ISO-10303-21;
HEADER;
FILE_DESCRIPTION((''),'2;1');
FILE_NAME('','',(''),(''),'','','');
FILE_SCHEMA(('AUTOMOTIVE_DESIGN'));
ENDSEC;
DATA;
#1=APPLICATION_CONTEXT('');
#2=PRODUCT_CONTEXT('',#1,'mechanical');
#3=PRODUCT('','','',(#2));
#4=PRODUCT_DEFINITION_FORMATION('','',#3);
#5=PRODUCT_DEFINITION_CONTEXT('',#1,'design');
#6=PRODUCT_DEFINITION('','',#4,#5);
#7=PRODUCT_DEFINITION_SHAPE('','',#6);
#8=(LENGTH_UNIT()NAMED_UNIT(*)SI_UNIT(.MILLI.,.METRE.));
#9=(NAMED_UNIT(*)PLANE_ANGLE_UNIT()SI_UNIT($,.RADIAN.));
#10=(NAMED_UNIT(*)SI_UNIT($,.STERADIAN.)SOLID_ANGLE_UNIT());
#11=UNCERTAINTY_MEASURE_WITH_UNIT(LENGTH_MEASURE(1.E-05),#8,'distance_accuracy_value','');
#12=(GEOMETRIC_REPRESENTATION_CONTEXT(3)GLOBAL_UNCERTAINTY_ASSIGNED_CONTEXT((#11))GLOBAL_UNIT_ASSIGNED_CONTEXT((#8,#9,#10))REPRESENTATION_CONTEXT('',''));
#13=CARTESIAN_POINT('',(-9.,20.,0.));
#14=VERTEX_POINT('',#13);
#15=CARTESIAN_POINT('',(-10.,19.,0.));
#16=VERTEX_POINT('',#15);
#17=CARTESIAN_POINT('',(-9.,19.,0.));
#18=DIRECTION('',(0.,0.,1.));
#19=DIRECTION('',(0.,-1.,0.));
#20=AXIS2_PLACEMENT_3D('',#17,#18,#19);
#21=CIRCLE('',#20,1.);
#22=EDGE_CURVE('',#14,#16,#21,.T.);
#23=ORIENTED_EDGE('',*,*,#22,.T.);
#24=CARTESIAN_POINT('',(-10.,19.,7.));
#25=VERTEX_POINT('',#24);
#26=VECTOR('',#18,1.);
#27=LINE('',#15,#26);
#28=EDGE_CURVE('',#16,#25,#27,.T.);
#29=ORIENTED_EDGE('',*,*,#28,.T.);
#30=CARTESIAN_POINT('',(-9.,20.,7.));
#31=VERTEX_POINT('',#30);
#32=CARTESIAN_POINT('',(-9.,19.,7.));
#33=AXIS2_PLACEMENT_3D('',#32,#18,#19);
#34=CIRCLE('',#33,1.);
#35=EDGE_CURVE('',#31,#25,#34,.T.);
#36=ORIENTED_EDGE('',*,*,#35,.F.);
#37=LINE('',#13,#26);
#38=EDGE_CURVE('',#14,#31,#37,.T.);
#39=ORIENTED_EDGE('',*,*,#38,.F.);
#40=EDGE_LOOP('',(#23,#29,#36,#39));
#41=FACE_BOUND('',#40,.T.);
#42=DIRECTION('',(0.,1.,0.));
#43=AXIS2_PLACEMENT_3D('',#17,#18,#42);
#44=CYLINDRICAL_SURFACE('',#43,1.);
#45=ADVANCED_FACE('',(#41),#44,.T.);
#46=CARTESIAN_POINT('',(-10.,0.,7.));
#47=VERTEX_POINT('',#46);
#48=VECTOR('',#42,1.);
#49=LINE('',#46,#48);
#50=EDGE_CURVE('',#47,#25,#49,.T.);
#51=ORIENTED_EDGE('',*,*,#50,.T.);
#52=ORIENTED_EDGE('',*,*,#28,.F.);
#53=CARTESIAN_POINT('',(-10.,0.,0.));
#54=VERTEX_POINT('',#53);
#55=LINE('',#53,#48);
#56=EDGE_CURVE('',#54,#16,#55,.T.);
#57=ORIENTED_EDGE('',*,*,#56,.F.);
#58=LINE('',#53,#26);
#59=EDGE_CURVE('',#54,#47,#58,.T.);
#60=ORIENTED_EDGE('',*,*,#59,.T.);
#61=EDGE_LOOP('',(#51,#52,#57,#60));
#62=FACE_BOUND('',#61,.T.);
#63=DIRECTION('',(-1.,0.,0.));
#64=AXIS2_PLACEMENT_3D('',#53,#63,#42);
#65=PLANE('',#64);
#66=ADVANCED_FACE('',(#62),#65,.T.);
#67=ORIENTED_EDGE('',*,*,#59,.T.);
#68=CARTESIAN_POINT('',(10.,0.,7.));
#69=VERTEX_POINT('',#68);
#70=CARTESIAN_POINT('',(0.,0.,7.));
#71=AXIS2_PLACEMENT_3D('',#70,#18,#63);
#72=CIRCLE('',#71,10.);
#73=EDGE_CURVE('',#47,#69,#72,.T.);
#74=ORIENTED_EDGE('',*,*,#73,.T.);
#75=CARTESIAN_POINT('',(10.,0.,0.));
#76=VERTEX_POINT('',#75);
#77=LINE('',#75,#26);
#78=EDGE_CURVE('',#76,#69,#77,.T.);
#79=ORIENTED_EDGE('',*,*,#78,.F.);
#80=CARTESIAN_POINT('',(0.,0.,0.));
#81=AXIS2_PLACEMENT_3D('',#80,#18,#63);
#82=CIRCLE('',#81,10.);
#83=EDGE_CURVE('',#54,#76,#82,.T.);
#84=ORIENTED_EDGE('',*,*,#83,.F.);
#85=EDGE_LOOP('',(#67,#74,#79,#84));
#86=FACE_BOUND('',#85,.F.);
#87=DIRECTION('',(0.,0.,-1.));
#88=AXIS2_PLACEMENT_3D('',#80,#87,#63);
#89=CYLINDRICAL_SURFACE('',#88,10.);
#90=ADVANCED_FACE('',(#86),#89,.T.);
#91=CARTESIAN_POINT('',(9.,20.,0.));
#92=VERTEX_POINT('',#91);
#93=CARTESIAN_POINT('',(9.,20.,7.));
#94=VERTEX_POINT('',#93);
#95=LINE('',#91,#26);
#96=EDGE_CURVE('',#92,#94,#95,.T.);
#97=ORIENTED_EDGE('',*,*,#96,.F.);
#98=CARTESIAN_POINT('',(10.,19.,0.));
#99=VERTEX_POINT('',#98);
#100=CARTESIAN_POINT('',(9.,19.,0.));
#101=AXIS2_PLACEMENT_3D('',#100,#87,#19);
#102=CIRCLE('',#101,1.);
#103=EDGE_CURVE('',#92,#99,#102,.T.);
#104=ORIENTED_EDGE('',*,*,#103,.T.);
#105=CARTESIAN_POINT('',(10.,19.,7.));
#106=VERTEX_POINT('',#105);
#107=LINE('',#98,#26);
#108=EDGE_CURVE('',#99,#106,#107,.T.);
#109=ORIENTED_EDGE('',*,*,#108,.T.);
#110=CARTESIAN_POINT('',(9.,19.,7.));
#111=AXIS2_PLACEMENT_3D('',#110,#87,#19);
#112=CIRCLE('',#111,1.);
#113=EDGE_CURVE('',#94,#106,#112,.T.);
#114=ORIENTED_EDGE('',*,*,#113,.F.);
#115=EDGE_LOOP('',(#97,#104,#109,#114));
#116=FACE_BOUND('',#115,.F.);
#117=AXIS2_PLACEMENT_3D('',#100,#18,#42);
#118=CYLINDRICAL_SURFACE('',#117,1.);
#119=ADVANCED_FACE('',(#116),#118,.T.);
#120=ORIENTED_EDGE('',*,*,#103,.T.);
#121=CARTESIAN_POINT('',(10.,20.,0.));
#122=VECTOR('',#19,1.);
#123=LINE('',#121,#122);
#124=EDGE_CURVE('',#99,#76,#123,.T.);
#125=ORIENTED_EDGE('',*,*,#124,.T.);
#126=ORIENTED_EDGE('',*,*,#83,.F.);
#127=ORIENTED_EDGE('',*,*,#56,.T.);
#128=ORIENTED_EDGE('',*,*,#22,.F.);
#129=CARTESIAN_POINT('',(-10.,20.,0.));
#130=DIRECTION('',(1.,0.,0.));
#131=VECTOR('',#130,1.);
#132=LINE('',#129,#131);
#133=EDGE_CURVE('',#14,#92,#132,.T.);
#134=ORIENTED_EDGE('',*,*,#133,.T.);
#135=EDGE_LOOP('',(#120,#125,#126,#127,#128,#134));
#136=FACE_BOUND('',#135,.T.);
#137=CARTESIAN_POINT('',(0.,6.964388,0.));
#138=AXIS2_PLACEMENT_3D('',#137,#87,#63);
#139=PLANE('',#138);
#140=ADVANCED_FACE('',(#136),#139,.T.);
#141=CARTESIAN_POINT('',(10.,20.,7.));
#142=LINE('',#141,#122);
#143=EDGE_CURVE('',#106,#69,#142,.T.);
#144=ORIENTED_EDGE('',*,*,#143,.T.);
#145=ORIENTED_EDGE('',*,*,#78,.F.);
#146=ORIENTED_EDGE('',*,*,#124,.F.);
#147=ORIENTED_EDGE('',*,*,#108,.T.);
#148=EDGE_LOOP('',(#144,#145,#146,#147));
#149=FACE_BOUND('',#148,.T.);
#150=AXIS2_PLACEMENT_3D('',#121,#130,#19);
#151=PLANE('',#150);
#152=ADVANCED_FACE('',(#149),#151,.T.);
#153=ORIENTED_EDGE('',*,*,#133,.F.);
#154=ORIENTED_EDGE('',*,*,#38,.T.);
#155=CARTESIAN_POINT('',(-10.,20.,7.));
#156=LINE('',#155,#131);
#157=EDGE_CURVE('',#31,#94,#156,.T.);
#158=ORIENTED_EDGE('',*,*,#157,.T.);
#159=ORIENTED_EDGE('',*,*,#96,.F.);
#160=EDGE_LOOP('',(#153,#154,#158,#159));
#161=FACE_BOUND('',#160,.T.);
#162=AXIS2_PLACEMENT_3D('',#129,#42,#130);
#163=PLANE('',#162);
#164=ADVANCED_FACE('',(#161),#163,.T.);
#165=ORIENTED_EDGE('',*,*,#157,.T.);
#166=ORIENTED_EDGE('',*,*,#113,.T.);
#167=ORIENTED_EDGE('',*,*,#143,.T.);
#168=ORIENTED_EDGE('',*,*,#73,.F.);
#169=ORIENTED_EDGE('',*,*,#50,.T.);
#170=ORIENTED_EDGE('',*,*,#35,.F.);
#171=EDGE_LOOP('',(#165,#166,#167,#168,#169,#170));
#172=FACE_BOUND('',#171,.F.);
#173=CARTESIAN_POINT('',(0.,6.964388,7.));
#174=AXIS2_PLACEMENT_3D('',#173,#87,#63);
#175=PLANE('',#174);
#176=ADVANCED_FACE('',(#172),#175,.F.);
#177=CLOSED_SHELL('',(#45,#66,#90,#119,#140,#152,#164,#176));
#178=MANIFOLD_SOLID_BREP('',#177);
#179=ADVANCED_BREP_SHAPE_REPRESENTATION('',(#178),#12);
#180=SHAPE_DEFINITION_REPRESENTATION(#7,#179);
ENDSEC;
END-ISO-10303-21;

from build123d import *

# Parameters (mm, degrees)
PAD_DEPTH = 7
FILLET_R  = 1


with BuildPart() as part:
    # Sketch → Pad (new body)
    with BuildSketch(Plane.XY):
        with BuildLine():
            Line((-10, 20), (10, 20))
            Line((10, 20), (10, 0))
            ThreePointArc((-10, 0), (0, -10), (10, 0))
            Line((-10, 0), (-10, 20))
        make_face()
    extrude(amount=PAD_DEPTH)

    # Fillet
    fillet_edges = [part.edges().sort_by_distance(p)[0] for p in [
        (-10, 20, 3.5),
        (10, 20, 3.5),
    ]]
    fillet(fillet_edges, radius=FILLET_R)


solid = part.part
